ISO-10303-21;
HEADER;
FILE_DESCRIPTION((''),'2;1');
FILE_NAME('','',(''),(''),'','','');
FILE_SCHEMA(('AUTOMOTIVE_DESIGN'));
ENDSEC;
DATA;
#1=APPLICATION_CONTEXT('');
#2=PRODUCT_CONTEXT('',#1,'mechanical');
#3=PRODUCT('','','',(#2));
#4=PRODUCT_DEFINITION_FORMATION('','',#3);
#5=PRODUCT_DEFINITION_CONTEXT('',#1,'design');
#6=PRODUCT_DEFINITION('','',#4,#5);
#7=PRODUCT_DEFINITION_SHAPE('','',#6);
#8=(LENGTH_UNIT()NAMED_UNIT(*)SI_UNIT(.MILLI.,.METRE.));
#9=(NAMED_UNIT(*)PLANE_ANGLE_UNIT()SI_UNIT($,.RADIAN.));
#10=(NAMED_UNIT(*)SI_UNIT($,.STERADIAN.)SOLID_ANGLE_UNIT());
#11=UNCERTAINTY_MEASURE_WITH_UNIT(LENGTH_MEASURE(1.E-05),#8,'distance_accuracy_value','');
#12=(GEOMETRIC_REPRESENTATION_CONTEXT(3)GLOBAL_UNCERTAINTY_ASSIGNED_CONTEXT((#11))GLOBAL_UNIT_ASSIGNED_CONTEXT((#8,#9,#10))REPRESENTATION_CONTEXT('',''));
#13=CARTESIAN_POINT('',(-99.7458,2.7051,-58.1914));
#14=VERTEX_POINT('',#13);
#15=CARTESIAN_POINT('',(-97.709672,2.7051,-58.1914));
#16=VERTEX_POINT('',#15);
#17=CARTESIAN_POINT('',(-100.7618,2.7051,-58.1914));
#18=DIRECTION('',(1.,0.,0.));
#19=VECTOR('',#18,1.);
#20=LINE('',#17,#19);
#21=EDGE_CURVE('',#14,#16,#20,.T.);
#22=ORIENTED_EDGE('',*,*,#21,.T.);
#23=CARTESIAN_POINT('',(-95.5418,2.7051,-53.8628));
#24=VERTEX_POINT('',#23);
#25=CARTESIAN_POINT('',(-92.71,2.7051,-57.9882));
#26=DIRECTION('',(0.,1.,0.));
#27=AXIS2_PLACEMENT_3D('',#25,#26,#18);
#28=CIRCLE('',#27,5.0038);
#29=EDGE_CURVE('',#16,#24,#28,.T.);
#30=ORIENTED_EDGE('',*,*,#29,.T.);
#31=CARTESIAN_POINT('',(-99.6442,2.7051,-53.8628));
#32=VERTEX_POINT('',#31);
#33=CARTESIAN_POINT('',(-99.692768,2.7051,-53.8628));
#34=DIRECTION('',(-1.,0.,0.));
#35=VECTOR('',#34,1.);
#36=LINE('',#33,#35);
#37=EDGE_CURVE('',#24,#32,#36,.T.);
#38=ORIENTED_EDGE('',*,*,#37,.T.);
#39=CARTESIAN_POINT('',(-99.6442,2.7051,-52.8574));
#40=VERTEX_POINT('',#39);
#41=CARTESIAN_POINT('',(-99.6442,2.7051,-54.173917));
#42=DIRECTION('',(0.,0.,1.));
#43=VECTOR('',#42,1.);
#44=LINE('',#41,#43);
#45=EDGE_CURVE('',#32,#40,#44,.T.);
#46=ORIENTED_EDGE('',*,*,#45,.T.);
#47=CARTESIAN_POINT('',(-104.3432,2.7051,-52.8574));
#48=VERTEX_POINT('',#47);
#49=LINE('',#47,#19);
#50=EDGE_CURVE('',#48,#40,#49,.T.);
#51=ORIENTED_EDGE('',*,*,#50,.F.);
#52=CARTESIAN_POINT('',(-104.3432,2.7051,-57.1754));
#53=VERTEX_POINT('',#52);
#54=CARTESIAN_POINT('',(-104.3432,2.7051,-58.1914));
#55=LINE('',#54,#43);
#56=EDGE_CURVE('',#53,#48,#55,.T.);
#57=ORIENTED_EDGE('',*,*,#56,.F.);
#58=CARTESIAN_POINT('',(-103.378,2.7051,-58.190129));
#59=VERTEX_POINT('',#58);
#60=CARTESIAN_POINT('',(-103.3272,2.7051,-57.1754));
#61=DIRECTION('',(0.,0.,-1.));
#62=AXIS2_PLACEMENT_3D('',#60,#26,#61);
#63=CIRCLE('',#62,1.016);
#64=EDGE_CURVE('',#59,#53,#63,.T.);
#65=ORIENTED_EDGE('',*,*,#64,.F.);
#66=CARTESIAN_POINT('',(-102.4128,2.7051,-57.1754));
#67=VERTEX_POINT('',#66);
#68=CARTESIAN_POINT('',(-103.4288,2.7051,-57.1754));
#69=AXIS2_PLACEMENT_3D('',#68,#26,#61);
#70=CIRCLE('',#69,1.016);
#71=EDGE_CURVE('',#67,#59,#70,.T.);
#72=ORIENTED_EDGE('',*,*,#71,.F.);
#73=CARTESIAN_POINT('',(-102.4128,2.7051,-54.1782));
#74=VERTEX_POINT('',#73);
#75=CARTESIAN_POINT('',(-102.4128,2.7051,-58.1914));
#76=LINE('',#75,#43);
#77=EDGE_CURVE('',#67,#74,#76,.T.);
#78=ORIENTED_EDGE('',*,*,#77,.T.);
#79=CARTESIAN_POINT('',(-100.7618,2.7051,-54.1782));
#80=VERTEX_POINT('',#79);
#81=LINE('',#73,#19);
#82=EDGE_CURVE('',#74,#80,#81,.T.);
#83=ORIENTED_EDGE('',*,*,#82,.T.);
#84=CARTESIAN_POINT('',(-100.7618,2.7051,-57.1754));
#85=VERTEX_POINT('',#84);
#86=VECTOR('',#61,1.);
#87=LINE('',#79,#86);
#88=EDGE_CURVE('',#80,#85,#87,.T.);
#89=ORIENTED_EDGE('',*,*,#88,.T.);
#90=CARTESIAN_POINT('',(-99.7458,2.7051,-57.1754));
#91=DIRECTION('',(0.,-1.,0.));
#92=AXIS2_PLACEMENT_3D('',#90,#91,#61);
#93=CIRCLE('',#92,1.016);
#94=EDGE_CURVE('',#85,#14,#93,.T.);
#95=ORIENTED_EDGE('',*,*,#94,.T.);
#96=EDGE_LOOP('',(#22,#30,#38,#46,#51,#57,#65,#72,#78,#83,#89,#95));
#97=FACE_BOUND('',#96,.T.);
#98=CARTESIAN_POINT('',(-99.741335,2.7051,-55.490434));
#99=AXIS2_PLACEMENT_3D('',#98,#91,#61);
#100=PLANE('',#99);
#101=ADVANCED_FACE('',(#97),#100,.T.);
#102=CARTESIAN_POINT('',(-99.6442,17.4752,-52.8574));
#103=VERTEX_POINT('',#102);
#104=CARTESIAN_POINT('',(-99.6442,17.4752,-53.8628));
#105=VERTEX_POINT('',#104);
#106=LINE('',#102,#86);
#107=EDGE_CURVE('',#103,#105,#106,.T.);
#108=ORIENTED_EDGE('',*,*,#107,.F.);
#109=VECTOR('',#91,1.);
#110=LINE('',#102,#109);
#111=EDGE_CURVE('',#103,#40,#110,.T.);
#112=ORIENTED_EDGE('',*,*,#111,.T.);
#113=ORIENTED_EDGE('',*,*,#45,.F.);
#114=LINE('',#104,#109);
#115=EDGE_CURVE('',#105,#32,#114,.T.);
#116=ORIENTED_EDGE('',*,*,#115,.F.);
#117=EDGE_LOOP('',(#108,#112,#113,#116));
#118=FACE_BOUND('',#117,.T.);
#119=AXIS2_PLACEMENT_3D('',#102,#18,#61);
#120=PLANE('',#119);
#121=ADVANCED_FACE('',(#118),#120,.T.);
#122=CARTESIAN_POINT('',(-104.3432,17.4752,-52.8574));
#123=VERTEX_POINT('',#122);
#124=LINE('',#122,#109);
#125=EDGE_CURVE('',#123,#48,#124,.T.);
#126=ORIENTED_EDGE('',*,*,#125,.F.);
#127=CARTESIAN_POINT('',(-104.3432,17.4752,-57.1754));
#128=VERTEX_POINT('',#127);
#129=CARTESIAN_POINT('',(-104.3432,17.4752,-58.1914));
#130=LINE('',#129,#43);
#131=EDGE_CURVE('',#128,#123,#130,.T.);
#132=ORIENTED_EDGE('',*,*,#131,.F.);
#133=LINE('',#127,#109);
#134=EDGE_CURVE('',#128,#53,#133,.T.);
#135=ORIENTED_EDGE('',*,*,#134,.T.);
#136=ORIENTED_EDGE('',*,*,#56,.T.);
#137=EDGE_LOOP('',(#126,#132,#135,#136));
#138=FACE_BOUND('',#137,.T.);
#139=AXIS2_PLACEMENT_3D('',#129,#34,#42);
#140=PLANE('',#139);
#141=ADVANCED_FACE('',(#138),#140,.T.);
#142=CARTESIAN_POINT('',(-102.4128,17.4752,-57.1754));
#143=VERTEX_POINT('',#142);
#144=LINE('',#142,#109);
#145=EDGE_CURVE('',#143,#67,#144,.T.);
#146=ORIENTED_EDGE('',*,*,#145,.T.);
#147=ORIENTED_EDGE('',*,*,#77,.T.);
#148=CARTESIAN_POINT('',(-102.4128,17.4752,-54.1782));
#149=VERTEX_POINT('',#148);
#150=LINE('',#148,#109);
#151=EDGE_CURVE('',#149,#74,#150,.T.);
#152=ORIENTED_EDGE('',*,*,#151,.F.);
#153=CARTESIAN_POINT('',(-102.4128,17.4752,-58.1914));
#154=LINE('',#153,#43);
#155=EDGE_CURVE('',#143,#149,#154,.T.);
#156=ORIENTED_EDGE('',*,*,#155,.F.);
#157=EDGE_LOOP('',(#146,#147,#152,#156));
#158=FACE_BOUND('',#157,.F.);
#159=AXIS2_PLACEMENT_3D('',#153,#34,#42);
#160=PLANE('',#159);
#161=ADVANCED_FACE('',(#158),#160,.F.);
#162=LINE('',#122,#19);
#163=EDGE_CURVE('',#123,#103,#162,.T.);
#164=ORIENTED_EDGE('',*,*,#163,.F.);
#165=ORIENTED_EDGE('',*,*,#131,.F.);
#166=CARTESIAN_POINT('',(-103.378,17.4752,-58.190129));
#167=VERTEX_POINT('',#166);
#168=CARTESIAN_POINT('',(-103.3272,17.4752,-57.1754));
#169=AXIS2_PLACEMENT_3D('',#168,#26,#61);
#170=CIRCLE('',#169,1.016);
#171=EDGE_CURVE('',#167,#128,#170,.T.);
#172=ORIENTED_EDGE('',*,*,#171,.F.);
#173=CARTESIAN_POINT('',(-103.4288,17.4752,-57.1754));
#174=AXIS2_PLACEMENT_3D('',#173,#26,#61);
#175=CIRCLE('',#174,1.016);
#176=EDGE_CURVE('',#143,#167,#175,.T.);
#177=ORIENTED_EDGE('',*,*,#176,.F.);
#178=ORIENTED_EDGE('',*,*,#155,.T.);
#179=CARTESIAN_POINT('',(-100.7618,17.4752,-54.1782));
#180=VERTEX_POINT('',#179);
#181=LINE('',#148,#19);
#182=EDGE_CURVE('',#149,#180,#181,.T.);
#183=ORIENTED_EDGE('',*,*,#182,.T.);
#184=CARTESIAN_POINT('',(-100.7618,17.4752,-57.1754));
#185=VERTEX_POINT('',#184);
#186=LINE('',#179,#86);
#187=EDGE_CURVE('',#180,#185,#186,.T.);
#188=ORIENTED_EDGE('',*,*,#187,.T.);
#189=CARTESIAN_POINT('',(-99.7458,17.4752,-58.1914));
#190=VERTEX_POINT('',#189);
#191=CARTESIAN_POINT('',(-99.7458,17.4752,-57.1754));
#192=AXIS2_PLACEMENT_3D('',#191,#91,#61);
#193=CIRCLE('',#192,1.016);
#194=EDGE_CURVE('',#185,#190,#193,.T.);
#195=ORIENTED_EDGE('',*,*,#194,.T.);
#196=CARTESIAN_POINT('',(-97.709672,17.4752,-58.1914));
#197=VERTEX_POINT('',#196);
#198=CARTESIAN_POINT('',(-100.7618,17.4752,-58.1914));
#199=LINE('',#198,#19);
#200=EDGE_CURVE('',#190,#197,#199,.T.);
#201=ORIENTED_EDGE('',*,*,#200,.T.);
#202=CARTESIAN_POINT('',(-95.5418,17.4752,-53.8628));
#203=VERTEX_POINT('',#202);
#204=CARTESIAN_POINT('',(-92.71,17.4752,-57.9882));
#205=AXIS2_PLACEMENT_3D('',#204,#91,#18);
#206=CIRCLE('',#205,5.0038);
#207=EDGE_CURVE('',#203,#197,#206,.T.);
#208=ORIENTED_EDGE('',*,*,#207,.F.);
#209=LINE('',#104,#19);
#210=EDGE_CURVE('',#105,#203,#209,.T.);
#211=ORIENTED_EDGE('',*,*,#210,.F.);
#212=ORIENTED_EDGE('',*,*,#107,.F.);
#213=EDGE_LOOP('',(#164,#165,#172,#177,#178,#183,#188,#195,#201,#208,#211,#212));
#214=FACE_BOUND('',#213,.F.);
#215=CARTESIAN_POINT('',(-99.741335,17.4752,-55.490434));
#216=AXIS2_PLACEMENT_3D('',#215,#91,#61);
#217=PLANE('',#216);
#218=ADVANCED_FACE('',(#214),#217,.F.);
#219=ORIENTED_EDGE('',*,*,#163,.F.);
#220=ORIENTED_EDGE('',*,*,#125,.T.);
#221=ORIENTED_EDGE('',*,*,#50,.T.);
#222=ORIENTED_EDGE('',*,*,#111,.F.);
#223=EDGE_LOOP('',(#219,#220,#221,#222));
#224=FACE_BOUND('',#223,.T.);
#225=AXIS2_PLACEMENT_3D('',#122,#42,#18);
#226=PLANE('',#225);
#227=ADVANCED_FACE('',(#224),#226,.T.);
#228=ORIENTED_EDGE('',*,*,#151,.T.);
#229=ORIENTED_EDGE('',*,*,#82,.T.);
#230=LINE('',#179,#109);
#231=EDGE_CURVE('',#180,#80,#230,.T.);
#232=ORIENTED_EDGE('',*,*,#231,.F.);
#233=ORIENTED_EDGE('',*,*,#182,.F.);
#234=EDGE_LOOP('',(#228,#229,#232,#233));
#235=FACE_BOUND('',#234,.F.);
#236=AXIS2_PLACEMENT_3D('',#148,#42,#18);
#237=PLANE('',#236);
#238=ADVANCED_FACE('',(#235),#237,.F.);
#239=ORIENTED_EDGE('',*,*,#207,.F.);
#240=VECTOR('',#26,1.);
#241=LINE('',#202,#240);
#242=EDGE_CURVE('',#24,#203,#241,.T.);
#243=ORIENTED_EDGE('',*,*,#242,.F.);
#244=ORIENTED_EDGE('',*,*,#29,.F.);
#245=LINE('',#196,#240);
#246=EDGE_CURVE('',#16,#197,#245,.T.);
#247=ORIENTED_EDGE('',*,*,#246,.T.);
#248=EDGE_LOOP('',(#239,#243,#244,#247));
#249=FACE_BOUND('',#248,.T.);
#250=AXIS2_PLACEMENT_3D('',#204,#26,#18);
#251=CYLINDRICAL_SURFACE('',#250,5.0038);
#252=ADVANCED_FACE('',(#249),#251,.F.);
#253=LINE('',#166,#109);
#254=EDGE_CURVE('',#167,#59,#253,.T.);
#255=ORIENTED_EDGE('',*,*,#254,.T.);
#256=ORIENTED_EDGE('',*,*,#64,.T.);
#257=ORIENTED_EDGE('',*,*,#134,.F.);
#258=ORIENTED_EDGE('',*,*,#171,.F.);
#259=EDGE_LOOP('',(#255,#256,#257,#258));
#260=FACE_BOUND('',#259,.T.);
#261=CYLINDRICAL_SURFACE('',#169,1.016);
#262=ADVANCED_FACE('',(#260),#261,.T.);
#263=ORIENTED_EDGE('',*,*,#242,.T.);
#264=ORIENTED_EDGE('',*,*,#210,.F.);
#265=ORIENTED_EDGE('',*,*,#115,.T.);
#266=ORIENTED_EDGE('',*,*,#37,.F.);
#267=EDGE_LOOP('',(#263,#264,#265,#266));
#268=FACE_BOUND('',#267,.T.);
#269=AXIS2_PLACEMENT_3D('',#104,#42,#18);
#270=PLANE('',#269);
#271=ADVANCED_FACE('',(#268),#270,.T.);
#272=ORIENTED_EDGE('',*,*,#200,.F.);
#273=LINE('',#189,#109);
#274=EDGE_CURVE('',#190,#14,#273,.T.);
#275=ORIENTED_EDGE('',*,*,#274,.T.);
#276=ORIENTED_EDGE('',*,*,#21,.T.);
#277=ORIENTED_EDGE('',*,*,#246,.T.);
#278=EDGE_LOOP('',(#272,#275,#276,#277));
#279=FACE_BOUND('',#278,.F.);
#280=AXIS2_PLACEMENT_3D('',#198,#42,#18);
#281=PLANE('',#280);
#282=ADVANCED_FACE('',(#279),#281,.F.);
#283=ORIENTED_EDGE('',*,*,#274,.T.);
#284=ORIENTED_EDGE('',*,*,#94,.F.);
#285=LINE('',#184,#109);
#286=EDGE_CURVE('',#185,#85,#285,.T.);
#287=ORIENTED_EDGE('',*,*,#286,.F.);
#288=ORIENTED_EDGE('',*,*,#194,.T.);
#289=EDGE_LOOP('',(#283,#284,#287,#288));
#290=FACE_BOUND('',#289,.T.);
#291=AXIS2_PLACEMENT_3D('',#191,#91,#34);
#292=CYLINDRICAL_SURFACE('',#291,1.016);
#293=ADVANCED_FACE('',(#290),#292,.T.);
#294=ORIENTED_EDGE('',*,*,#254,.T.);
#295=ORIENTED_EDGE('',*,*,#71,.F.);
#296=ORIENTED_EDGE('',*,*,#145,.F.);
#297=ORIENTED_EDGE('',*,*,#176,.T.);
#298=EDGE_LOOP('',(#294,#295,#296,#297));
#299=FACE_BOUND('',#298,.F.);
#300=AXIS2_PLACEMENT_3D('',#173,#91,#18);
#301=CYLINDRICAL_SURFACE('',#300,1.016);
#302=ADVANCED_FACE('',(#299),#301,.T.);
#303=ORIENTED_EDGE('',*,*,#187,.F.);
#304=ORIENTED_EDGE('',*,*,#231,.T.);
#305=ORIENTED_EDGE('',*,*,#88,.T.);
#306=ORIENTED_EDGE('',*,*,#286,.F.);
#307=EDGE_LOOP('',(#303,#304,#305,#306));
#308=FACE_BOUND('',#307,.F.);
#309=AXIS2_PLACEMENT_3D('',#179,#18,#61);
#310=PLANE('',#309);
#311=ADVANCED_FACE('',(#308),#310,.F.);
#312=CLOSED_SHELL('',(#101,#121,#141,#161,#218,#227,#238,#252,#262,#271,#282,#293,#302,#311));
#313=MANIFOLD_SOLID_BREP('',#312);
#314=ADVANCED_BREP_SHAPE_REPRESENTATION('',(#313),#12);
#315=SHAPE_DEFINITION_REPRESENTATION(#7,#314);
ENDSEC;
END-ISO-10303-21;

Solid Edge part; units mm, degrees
sketch "Sketch1" plane through (-38.046, 17.4752, -58.1274) normal (0, -1, 0) x (1, 0, 0)
  line L0 (-62.7158, 3.9492) -> (-62.7158, -0.064)
  line L1 (-62.7158, -0.064) -> (-56.1372, -0.064)
  line L2 (-56.1372, 5.27) -> (-56.1372, -0.064)
  line L3 (-66.2972, 5.27) -> (-56.1372, 5.27)
  line L4 (-66.2972, -0.064) -> (-66.2972, 5.27)
  line L5 (-66.2972, -0.064) -> (-64.3668, -0.064)
  line L6 (-64.3668, -0.064) -> (-64.3668, 3.9492)
  line L7 (-64.3668, 3.9492) -> (-62.7158, 3.9492)
extrude "Protrusion1" add sketch "Sketch1" along normal up to surface (14.7701 mm away)
sketch "Sketch2" plane through (-38.046, 17.4752, -58.1274) normal (0, -1, 0) x (1, 0, 0)
  circle A0 centre (-54.664, 0.1392) radius 5.0038
extrude "Cutout1" cut sketch "Sketch2" along normal through all
sketch "Sketch3" plane through (-38.046, 17.4752, -58.1274) normal (0, -1, 0) x (1, 0, 0)
  line L0 (-61.5982, 5.27) -> (-61.5982, 4.2646)
  line L1 (-61.5982, 4.2646) -> (-56.1372, 4.2646)
  line L2 (-56.1372, 4.2646) -> (-56.1372, 5.27)
  line L3 (-56.1372, 5.27) -> (-61.5982, 5.27)
extrude "Cutout2" cut sketch "Sketch3" along normal through all
fillet "Round_1" radius 1.016 3 edges at (-100.7618, 10.0901, -58.1914) (-102.4128, 10.0901, -58.1914) (-104.3432, 10.0901, -58.1914)
properties material "Gold"
